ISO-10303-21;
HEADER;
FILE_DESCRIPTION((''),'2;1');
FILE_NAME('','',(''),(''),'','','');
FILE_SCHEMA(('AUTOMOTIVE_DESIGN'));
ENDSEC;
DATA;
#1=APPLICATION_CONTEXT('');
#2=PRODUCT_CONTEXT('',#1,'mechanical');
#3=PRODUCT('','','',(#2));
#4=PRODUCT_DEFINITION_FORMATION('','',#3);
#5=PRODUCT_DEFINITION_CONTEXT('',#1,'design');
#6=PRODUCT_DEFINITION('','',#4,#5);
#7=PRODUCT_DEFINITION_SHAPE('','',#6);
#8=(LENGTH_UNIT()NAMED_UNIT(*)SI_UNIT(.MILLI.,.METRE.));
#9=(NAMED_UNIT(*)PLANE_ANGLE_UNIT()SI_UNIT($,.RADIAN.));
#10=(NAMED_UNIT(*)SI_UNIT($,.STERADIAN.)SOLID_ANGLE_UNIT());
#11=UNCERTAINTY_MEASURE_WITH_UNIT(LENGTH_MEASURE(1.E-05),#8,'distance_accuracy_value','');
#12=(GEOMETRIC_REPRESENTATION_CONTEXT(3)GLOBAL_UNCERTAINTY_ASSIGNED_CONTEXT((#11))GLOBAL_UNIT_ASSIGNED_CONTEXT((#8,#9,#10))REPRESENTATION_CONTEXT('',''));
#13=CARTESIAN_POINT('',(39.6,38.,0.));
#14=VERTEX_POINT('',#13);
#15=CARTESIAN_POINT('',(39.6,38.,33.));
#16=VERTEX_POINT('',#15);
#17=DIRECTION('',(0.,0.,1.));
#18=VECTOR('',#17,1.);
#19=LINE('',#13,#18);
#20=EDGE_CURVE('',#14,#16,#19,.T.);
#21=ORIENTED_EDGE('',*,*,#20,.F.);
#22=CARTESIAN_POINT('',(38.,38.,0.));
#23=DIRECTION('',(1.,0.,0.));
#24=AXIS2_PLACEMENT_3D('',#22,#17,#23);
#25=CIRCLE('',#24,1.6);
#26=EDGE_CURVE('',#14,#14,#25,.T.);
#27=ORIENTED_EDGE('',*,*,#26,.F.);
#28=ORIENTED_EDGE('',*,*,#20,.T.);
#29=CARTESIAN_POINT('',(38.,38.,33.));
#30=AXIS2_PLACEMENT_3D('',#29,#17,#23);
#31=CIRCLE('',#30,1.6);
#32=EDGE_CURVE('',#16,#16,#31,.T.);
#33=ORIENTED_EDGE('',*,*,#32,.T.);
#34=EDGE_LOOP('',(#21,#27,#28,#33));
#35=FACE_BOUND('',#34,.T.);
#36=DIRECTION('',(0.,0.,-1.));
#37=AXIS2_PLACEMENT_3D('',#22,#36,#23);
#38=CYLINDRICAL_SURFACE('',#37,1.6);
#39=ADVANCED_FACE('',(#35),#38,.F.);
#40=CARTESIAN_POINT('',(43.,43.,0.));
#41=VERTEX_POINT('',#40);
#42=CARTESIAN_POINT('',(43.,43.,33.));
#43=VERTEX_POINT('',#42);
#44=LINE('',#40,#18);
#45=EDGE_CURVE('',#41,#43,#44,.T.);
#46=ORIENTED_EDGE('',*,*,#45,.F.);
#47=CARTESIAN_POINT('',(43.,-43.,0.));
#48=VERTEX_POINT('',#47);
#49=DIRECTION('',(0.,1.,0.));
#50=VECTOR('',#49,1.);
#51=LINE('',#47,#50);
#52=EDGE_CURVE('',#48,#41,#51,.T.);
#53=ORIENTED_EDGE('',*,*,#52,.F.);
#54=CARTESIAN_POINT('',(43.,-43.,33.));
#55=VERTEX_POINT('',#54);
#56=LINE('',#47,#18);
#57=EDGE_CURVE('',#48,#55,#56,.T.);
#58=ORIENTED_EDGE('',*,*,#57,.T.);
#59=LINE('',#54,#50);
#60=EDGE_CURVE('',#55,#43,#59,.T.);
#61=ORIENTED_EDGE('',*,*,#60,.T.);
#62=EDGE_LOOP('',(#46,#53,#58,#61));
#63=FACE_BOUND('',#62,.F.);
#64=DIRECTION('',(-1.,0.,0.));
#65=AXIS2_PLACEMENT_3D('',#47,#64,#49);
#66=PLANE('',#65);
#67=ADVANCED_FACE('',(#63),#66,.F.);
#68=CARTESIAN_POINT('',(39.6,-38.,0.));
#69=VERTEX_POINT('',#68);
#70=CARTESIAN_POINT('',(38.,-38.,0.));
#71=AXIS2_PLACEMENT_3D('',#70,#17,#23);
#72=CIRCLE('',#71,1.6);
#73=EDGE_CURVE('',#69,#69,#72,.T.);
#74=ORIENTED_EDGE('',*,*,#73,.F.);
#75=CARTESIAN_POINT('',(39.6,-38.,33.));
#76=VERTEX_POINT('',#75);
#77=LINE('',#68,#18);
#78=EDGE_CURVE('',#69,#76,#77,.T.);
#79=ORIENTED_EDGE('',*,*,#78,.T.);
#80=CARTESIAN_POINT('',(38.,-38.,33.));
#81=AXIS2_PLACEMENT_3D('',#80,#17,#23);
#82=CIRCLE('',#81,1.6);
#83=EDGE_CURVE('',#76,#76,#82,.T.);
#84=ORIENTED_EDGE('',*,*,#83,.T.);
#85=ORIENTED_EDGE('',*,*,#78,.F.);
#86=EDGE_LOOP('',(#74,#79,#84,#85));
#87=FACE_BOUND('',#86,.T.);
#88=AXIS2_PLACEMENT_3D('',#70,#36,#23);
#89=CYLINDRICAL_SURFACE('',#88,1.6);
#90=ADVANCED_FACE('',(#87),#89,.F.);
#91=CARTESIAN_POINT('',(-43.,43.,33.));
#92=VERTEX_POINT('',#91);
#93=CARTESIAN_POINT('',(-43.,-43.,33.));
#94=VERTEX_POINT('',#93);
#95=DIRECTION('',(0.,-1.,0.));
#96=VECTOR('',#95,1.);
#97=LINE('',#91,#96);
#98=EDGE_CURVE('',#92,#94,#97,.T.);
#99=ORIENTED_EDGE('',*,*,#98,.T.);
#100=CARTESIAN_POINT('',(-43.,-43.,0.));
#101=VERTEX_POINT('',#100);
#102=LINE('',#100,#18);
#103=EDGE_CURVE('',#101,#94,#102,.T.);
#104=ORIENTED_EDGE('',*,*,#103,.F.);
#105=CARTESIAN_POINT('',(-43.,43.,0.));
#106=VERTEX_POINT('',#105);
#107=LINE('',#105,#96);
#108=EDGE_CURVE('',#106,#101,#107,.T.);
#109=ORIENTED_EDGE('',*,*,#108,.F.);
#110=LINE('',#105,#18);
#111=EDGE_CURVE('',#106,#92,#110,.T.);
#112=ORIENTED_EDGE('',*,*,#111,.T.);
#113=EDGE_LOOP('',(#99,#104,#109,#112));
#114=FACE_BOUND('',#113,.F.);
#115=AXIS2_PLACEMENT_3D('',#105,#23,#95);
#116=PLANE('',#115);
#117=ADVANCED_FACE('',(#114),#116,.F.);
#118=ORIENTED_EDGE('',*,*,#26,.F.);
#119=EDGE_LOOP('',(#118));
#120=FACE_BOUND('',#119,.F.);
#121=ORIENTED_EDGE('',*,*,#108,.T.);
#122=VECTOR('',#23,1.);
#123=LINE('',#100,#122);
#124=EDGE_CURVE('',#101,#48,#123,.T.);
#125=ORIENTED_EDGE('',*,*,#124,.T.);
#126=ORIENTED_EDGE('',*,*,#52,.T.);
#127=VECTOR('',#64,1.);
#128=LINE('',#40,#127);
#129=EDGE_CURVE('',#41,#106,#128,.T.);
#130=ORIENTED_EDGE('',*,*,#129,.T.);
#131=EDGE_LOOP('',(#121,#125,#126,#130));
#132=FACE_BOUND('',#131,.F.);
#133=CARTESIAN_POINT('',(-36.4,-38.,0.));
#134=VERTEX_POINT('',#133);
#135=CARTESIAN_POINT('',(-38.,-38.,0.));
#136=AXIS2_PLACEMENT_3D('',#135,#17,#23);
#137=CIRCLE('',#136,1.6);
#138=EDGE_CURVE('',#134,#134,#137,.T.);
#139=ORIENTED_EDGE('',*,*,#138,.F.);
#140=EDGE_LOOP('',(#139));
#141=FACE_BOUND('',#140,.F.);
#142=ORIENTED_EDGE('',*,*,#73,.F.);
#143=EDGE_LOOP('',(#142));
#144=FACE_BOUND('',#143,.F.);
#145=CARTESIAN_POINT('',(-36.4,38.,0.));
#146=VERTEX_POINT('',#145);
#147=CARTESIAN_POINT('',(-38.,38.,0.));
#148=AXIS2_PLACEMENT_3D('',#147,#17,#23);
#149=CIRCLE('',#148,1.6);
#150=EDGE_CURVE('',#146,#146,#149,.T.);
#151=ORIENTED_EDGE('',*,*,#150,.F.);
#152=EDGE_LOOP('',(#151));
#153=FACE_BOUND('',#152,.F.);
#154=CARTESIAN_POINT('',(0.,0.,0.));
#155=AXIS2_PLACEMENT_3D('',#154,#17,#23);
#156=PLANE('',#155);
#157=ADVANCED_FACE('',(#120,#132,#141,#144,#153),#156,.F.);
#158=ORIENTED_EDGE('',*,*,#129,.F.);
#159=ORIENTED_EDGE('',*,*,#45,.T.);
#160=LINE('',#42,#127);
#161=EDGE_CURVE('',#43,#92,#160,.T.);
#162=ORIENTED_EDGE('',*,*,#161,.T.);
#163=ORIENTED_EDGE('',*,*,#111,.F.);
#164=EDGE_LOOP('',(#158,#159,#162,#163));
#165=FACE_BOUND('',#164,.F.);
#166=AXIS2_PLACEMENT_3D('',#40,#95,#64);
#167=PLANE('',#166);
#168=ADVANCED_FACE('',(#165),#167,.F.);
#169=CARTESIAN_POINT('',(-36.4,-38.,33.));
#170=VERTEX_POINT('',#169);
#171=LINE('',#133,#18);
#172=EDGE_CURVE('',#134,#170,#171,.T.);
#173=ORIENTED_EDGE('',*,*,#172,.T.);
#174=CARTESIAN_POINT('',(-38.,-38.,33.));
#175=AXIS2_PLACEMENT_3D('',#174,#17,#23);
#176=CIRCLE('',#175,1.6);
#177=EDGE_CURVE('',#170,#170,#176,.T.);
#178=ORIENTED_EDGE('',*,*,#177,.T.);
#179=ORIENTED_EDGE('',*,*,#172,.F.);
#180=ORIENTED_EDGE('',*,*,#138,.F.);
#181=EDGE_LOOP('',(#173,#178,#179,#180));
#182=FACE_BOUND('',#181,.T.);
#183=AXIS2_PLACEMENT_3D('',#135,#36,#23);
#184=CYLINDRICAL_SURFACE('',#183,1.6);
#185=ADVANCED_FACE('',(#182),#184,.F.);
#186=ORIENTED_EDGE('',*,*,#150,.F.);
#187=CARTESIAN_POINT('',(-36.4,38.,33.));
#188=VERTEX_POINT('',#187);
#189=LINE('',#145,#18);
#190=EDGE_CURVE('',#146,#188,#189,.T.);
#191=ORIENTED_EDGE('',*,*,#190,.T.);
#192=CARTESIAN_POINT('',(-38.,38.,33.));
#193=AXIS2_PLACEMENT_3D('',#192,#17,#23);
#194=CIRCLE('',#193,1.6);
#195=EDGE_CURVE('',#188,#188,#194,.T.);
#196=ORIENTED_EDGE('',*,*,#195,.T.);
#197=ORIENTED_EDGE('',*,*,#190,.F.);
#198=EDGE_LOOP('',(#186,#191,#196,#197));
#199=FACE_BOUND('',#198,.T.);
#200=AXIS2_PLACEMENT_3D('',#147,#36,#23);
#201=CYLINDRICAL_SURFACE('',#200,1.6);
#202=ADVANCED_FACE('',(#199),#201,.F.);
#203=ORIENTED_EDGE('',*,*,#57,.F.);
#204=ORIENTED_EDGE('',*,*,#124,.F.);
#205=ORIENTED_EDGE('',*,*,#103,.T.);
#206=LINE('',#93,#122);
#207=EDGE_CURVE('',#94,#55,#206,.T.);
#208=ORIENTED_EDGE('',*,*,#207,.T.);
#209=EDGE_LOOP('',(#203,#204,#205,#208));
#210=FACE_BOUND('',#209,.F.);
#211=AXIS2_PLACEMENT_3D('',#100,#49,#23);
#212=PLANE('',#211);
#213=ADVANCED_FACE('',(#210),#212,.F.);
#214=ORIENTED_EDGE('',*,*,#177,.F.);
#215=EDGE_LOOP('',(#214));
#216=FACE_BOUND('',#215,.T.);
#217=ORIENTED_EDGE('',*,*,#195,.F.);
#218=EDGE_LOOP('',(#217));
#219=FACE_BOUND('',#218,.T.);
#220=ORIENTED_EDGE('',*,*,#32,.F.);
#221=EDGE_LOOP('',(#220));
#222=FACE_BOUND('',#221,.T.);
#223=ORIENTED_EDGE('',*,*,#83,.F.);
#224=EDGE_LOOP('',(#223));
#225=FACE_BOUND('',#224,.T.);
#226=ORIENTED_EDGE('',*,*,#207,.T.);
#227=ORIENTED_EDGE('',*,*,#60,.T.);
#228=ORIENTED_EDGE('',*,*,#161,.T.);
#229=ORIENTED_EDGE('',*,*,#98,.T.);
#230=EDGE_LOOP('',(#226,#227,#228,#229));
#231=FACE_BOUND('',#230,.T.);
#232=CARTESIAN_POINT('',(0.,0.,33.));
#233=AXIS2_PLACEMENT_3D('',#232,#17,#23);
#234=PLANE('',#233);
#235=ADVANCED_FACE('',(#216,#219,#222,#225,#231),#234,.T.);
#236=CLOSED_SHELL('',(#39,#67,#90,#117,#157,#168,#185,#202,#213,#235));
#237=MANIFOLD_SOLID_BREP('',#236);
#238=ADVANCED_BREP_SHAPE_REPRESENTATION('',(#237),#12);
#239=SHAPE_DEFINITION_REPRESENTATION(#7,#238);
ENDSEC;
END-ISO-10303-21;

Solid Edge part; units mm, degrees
sketch "Sketch1" plane through (0, 0, 0) normal (0, 0, 1) x (1, 0, 0)
  line L0 (-43, -43) -> (43, -43)
  line L1 (43, -43) -> (43, 43)
  line L2 (43, 43) -> (-43, 43)
  line L3 (-43, 43) -> (-43, -43)
  circle A0 centre (38, 38) radius 1.6
  circle A1 centre (-38, 38) radius 1.6
  circle A2 centre (-38, -38) radius 1.6
  circle A3 centre (38, -38) radius 1.6
  dimension "D1" = 86
  dimension "D2" = 86
  dimension "D3" = 3.2
  dimension "D4" = 5
  dimension "D5" = 5
extrude "Protrusion1" add sketch "Sketch1" along normal blind 33
